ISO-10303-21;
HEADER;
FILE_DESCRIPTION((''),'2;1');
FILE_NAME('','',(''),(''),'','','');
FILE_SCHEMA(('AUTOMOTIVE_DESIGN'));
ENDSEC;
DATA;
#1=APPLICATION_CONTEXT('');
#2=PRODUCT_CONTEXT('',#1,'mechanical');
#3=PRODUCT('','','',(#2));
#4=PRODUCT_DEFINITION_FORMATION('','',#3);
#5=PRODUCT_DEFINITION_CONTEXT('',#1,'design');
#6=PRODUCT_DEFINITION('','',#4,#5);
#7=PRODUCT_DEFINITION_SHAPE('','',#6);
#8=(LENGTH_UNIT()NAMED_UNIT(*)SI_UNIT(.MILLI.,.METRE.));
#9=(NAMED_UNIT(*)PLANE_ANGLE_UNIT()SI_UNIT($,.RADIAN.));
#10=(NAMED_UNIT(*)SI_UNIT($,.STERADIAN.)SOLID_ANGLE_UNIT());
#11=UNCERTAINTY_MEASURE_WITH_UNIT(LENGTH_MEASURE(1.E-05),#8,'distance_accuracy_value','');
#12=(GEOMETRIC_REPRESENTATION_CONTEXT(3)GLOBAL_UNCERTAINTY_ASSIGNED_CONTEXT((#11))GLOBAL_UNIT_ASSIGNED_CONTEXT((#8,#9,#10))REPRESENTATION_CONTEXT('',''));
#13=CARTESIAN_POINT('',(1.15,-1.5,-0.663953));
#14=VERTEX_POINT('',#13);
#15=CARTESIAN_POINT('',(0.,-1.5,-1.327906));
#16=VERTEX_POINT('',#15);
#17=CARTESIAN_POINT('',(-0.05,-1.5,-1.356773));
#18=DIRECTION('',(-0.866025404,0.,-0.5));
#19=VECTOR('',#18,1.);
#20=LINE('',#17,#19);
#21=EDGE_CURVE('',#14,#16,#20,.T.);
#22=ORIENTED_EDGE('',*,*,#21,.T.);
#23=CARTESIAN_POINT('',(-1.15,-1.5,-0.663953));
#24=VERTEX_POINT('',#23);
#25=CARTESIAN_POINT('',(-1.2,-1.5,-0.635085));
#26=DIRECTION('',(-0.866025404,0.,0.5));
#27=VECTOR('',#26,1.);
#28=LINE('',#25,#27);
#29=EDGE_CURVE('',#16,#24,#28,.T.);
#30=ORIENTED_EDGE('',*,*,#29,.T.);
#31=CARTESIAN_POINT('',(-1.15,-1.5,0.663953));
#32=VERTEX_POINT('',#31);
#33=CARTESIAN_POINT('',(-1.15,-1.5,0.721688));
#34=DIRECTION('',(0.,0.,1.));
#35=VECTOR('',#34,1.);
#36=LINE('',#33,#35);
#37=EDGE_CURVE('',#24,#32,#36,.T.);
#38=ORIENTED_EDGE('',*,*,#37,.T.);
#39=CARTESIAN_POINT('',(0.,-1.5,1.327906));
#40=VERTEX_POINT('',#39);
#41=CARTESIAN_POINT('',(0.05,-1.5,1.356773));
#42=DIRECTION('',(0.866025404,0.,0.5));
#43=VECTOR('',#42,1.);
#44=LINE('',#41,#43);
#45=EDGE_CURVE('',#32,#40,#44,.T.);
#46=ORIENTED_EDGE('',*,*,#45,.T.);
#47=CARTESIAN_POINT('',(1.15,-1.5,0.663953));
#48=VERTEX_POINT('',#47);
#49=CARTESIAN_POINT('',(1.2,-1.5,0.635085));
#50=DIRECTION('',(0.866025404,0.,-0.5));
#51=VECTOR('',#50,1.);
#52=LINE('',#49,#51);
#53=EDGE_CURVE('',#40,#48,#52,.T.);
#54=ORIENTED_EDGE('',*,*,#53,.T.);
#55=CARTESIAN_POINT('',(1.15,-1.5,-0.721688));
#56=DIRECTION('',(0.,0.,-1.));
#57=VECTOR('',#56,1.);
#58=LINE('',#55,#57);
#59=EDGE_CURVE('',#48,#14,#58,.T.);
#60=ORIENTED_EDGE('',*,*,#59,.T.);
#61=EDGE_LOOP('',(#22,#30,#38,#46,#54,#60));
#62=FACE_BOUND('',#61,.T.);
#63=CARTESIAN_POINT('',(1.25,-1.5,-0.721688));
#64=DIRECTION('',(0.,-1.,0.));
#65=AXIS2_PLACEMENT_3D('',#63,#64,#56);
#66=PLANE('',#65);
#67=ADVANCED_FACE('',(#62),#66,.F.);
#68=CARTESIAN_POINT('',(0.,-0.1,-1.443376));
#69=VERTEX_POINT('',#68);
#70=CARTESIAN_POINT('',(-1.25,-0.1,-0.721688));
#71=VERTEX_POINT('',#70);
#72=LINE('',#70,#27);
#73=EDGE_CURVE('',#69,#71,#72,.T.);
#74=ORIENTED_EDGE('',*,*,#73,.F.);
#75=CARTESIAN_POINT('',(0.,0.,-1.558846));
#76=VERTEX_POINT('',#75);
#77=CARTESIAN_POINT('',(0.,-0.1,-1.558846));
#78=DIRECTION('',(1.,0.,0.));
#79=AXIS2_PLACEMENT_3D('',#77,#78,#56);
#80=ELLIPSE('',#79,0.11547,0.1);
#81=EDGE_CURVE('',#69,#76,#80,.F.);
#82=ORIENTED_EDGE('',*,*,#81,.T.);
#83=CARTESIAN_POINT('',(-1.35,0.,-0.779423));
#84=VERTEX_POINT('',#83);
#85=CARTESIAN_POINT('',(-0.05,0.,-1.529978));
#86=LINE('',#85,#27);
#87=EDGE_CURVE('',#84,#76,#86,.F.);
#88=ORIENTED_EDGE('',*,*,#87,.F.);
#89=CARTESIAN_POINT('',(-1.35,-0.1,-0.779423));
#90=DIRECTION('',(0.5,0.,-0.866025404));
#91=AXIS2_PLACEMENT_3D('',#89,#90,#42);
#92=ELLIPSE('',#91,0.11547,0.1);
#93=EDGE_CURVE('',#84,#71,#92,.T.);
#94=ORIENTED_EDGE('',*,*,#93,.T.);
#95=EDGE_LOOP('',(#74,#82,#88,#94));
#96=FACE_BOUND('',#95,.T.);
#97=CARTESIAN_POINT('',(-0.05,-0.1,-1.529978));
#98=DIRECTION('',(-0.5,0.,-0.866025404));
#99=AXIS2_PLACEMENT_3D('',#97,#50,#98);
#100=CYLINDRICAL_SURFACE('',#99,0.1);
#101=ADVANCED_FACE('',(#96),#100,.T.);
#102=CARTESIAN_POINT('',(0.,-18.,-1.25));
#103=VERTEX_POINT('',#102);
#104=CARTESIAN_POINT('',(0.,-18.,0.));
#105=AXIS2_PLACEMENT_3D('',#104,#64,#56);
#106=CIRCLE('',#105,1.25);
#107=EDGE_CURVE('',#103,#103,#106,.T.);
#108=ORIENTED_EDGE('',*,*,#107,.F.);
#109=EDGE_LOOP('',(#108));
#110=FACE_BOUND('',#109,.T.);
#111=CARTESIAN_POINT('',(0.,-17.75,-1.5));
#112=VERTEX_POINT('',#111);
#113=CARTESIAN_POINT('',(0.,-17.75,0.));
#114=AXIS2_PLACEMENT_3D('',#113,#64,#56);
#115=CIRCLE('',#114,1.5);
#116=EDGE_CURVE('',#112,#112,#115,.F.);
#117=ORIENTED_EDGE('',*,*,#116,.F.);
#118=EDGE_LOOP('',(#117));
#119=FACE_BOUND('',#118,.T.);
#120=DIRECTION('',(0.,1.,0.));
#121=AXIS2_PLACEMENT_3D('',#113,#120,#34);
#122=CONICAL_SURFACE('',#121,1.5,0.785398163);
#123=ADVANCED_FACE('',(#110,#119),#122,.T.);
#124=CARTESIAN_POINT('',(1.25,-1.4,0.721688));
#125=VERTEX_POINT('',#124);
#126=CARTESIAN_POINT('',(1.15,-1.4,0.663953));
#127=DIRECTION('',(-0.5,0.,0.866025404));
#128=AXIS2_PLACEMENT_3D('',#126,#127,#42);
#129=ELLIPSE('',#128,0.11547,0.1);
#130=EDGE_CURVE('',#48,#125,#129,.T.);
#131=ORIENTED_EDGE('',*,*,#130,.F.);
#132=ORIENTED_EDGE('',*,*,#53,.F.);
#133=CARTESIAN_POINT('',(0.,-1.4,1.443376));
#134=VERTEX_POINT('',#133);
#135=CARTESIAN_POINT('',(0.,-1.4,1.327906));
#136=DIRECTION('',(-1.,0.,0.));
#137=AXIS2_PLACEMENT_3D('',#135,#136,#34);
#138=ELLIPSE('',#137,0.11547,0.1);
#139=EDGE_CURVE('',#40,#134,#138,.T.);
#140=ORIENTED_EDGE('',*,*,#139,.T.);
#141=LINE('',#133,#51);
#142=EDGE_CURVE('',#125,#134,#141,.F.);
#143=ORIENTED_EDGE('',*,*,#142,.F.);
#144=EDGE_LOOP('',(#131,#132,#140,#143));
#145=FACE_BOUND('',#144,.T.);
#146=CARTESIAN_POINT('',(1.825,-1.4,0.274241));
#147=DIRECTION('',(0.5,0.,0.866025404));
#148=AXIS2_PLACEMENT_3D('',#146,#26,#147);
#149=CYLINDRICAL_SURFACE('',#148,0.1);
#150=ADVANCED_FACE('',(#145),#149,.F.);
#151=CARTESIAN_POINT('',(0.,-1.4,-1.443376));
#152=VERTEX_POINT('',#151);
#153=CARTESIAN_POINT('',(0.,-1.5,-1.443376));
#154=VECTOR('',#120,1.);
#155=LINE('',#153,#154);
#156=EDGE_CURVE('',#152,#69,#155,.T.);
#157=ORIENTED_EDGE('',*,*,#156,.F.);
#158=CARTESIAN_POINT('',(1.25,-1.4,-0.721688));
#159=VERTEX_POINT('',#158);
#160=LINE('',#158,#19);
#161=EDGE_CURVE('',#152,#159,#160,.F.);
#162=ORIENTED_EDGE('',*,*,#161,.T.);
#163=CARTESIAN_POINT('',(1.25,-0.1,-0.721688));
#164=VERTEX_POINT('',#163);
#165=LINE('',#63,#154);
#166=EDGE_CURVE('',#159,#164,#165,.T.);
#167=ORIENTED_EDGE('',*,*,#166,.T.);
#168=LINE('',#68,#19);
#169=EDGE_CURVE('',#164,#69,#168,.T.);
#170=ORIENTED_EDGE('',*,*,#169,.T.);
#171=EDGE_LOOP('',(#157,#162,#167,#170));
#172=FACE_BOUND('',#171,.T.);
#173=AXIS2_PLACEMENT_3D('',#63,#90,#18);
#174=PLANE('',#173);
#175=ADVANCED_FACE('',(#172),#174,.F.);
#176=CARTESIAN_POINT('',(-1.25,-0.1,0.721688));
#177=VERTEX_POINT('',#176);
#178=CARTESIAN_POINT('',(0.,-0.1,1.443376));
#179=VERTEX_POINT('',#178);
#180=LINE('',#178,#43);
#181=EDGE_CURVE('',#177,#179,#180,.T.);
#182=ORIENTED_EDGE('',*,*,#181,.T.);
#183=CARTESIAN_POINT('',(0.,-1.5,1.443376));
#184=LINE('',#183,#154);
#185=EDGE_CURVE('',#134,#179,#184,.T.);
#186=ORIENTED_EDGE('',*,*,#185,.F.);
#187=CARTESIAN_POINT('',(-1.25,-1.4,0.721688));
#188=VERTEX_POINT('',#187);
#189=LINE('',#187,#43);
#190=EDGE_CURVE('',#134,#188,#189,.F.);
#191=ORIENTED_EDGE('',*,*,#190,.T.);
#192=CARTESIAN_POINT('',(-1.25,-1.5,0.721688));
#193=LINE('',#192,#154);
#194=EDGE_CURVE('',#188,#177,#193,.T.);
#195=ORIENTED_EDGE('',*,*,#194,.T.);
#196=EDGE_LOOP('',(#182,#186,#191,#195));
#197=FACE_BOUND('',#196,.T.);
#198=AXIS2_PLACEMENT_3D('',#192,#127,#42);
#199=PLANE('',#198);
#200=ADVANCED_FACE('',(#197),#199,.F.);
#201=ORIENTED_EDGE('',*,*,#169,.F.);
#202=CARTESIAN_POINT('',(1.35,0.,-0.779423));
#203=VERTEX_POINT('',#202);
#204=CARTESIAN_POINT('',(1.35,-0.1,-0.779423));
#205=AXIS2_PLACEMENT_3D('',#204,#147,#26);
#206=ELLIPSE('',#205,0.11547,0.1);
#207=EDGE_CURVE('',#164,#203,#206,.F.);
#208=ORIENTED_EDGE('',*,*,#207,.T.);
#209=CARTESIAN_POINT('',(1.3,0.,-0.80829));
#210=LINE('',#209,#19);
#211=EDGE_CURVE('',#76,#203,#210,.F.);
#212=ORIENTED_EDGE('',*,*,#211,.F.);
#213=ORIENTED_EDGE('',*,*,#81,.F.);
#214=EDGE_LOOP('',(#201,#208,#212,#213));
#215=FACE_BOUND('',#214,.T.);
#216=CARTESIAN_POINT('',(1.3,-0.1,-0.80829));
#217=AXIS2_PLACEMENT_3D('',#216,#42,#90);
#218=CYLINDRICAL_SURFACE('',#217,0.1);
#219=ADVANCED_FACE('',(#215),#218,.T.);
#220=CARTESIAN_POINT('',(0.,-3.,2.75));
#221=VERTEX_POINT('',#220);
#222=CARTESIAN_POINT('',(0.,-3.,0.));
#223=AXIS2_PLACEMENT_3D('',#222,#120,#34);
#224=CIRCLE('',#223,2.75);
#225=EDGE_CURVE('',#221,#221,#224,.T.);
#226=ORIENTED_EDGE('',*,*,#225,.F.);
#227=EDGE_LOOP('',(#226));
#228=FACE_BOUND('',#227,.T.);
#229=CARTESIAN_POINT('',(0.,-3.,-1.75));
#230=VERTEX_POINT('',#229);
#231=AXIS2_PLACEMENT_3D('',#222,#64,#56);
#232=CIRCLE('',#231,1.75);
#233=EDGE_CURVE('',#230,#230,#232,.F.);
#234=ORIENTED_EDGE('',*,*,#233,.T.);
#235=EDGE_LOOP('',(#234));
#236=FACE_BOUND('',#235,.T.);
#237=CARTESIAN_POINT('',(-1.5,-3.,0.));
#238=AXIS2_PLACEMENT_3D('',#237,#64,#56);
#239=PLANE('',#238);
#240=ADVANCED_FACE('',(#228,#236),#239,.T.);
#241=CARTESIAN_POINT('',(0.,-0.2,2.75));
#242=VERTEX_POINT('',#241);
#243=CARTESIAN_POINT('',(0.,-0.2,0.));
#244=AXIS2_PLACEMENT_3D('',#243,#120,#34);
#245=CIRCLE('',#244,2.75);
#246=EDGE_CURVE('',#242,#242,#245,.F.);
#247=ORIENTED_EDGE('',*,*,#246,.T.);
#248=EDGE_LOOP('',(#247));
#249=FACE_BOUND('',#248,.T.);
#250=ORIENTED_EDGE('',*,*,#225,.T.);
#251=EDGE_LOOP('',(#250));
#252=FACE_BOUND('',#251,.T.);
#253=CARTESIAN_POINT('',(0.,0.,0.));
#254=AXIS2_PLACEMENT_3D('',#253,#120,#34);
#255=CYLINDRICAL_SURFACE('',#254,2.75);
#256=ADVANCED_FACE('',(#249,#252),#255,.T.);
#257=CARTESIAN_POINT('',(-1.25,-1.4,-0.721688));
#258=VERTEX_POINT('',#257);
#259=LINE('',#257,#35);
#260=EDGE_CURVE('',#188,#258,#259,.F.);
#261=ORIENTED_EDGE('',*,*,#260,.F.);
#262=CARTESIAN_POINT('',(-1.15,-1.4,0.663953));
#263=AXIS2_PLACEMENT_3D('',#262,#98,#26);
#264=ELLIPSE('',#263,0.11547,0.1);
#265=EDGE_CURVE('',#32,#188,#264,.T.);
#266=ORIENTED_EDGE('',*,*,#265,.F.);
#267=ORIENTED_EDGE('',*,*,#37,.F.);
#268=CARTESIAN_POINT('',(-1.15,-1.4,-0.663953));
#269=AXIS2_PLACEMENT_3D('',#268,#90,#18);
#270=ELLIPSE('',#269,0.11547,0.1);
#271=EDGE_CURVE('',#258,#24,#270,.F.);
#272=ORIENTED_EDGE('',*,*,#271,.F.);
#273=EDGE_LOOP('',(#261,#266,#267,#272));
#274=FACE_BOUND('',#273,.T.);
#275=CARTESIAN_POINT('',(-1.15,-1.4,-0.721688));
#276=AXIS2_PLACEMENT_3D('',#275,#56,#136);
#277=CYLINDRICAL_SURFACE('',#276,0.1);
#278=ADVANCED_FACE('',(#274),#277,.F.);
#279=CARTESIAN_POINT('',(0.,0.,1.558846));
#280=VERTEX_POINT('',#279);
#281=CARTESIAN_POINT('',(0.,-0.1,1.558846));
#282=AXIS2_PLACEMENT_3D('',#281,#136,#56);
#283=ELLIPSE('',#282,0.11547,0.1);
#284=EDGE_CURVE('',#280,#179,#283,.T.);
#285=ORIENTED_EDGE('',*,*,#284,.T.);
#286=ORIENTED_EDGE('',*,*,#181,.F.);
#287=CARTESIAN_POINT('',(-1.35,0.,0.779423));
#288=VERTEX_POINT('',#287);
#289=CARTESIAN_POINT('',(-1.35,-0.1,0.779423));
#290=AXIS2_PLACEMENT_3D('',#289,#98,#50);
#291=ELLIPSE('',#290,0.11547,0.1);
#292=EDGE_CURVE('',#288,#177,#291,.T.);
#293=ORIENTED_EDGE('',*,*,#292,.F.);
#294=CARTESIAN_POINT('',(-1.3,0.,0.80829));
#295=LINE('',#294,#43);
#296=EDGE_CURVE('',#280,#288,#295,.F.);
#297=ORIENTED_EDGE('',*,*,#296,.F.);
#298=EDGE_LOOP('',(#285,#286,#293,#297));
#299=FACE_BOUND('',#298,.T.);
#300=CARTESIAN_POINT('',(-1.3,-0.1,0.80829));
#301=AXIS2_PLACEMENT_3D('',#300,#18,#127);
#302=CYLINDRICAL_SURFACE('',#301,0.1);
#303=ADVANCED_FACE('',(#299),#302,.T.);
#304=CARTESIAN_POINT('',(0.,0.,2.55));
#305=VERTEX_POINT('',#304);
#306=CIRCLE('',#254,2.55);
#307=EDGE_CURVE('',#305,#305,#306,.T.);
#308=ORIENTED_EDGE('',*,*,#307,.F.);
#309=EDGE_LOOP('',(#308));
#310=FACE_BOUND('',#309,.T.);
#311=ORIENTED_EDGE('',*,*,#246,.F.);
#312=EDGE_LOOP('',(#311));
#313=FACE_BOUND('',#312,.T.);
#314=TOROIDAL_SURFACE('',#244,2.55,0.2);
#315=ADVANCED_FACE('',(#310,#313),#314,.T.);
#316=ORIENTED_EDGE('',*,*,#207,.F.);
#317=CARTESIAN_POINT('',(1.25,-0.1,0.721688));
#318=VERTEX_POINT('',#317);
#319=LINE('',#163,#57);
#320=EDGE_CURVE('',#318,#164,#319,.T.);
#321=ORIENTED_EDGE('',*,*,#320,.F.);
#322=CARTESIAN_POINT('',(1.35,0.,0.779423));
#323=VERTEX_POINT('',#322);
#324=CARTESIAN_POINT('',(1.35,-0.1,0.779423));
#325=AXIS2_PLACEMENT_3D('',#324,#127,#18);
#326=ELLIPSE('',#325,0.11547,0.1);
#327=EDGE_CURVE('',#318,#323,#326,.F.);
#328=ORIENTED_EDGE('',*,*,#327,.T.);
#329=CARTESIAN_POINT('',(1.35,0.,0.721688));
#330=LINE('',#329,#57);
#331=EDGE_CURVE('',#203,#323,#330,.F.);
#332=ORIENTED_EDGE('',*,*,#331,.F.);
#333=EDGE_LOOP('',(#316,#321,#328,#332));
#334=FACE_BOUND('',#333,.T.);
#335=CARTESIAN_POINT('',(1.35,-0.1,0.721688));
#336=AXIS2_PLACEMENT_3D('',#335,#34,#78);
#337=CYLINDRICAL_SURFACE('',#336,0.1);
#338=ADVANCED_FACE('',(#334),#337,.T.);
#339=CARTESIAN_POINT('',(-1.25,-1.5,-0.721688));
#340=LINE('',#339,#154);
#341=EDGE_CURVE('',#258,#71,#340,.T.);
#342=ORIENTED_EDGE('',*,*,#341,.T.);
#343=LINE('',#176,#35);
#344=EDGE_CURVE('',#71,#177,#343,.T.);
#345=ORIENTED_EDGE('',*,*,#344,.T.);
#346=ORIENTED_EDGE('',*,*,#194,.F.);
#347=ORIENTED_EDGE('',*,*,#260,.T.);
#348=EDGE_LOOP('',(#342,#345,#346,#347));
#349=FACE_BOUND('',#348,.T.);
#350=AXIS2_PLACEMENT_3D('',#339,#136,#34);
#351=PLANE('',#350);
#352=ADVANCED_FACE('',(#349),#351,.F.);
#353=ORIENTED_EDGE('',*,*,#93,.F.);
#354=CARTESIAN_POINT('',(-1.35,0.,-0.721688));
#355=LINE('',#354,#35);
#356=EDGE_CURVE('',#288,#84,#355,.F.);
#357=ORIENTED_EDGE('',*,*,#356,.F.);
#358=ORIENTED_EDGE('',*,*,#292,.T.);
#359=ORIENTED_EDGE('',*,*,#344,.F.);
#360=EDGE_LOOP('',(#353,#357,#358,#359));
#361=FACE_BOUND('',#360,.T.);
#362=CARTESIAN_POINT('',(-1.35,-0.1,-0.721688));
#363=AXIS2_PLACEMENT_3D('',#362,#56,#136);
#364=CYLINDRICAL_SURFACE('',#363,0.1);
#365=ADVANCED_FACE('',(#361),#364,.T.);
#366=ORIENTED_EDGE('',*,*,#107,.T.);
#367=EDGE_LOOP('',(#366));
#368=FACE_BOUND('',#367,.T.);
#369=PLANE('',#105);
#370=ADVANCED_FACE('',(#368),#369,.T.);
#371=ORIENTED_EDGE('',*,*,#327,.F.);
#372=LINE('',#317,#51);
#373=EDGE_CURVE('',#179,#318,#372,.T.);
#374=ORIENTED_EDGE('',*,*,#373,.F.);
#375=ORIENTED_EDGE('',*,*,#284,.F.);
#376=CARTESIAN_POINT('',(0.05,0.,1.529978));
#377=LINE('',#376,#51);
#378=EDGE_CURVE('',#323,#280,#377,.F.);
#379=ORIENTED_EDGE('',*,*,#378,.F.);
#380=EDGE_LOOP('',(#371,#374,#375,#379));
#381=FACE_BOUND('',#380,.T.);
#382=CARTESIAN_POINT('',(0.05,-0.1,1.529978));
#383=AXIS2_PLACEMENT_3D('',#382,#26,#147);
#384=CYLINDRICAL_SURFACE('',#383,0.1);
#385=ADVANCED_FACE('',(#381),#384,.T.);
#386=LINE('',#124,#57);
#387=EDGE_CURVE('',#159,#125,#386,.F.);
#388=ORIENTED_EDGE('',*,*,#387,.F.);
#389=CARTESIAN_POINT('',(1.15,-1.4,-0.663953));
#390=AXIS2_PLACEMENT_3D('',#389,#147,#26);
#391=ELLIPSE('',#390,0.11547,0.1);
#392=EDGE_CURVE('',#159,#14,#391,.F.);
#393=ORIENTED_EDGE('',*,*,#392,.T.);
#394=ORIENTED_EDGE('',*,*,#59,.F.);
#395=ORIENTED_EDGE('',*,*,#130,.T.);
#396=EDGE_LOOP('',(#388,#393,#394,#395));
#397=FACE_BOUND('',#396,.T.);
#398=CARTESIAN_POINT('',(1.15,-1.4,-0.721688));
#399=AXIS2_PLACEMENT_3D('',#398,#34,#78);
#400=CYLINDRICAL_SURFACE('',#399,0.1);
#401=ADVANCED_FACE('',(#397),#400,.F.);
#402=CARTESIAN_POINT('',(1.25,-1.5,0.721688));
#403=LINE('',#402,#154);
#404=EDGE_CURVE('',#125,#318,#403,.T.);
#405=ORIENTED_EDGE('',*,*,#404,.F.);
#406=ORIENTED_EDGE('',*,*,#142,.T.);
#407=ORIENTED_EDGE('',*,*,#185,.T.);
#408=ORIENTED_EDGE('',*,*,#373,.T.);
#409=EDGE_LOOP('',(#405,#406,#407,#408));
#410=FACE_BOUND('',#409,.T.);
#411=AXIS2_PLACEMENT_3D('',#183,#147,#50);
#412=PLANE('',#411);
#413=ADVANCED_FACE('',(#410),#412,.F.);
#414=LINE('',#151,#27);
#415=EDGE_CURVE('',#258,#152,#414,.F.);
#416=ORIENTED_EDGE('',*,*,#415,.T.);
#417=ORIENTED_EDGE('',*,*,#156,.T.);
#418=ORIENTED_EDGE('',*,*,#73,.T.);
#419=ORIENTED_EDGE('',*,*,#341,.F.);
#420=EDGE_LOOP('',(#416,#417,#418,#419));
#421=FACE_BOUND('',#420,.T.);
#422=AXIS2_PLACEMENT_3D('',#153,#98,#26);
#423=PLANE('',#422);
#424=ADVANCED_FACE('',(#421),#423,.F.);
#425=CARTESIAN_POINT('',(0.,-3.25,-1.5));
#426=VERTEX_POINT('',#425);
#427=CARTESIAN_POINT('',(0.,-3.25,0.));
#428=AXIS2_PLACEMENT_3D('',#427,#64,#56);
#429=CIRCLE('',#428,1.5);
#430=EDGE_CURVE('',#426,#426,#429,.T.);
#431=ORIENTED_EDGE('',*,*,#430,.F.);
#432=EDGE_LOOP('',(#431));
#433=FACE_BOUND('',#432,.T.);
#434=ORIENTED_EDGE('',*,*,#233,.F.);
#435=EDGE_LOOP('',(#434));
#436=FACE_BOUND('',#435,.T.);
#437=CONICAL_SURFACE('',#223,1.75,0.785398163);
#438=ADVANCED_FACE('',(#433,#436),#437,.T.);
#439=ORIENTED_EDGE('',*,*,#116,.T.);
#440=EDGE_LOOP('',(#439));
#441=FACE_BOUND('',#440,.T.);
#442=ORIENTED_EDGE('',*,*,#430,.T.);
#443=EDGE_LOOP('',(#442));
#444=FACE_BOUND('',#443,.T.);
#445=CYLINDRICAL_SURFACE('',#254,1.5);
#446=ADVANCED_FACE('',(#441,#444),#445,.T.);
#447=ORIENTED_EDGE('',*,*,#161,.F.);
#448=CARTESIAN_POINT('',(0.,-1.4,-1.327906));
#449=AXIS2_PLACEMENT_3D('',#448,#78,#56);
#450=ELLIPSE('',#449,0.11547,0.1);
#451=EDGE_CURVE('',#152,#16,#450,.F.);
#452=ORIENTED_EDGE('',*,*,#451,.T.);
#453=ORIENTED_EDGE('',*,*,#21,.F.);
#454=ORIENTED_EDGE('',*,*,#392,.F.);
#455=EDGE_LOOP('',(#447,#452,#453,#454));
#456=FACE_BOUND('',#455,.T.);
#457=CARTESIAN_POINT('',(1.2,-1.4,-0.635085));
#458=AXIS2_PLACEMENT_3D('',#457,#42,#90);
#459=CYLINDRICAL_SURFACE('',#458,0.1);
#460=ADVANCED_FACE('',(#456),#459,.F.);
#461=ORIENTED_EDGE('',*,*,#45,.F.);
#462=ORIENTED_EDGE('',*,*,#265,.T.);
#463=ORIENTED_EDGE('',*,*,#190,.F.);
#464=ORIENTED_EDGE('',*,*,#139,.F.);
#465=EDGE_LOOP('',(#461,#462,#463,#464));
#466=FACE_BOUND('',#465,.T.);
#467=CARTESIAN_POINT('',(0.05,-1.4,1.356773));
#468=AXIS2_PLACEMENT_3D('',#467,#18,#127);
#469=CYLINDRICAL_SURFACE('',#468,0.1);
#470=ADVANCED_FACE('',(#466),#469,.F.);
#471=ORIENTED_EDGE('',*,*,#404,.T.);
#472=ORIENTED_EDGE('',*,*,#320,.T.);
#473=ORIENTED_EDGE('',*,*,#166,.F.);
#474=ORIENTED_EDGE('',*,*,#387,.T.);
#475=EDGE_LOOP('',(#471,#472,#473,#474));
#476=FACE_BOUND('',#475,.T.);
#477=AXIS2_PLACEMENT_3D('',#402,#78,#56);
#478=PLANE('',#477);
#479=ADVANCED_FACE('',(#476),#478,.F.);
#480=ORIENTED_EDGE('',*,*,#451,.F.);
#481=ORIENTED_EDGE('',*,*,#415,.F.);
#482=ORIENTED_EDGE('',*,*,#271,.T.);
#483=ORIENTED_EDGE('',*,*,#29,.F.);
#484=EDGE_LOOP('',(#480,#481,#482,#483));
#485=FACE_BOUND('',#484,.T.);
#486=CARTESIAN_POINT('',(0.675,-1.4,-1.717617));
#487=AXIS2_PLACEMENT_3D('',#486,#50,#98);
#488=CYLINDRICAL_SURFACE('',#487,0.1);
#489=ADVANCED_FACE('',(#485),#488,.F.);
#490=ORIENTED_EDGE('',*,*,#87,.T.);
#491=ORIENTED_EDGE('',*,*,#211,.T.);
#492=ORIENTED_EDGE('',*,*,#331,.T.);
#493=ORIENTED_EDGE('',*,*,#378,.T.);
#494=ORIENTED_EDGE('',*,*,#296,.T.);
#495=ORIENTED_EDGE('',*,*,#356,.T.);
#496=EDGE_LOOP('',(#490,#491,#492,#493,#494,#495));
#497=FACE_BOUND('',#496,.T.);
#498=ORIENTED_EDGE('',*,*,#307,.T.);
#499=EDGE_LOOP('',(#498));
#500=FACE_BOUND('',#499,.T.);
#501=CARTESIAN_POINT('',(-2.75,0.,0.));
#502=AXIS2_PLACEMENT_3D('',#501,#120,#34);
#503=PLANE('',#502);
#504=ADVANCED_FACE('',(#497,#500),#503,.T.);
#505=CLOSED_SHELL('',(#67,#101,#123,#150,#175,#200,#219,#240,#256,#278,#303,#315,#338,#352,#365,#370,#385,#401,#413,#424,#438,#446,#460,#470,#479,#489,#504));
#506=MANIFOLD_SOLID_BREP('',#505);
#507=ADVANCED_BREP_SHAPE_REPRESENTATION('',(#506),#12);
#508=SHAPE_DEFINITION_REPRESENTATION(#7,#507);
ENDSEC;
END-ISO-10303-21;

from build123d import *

# Parameters (mm, degrees)
CHAMFER1_SIZE      = 0.25
FILLET1_R          = 0.2
CUT_EXTRUDE1_DEPTH = 1.5
FILLET2_R          = 0.1


with BuildPart() as part:
    # Sketch1 → Revolve1 (revolve)
    with BuildSketch(Plane.XY, mode=Mode.PRIVATE) as revolve1_sk:
        Polygon((0, -18), (-1.5, -18), (-1.5, -3), (-2.75, -3), (-2.75, 0), (0, 0), align=None)
    revolve(revolve1_sk.sketch.rotate(Axis((0, 0, 0), (0, -1, 0)), 270), axis=Axis((0, 0, 0), (0, -1, 0)))

    # Chamfer1
    chamfer1_edges = [part.edges().sort_by_distance(p)[0] for p in [
        (0, -3, -1.5),
        (0, -18, -1.5),
    ]]
    chamfer(chamfer1_edges, length=CHAMFER1_SIZE)

    # Fillet1
    fillet1_edges = [part.edges().sort_by_distance(p)[0] for p in [
        (0, 0, -2.75),
    ]]
    fillet(fillet1_edges, radius=FILLET1_R)

    # Sketch2 → Cut-Extrude1 (cut)
    with BuildSketch(Plane(origin=(0, 0, 0), x_dir=(1, 0, 0), z_dir=(0, 1, 0))):
        Polygon((0, 1.443375673), (-1.25, 0.721687836), (-1.25, -0.721687836), (0, -1.443375673), (1.25, -0.721687836), (1.25, 0.721687836), align=None)
    extrude(amount=-CUT_EXTRUDE1_DEPTH, mode=Mode.SUBTRACT)

    # Fillet2
    fillet2_edges = [part.edges().sort_by_distance(p)[0] for p in [
        (0.625, -1.5, -1.082531755),
        (1.25, -1.5, 0),
        (0.625, -1.5, 1.082531755),
        (-0.625, -1.5, 1.082531755),
        (-1.25, -1.5, 0),
        (-0.625, -1.5, -1.082531755),
        (0.625, 0, -1.082531755),
        (-0.625, 0, -1.082531755),
        (-1.25, 0, 0),
        (-0.625, 0, 1.082531755),
        (0.625, 0, 1.082531755),
        (1.25, 0, 0),
    ]]
    fillet(fillet2_edges, radius=FILLET2_R)


solid = part.part
